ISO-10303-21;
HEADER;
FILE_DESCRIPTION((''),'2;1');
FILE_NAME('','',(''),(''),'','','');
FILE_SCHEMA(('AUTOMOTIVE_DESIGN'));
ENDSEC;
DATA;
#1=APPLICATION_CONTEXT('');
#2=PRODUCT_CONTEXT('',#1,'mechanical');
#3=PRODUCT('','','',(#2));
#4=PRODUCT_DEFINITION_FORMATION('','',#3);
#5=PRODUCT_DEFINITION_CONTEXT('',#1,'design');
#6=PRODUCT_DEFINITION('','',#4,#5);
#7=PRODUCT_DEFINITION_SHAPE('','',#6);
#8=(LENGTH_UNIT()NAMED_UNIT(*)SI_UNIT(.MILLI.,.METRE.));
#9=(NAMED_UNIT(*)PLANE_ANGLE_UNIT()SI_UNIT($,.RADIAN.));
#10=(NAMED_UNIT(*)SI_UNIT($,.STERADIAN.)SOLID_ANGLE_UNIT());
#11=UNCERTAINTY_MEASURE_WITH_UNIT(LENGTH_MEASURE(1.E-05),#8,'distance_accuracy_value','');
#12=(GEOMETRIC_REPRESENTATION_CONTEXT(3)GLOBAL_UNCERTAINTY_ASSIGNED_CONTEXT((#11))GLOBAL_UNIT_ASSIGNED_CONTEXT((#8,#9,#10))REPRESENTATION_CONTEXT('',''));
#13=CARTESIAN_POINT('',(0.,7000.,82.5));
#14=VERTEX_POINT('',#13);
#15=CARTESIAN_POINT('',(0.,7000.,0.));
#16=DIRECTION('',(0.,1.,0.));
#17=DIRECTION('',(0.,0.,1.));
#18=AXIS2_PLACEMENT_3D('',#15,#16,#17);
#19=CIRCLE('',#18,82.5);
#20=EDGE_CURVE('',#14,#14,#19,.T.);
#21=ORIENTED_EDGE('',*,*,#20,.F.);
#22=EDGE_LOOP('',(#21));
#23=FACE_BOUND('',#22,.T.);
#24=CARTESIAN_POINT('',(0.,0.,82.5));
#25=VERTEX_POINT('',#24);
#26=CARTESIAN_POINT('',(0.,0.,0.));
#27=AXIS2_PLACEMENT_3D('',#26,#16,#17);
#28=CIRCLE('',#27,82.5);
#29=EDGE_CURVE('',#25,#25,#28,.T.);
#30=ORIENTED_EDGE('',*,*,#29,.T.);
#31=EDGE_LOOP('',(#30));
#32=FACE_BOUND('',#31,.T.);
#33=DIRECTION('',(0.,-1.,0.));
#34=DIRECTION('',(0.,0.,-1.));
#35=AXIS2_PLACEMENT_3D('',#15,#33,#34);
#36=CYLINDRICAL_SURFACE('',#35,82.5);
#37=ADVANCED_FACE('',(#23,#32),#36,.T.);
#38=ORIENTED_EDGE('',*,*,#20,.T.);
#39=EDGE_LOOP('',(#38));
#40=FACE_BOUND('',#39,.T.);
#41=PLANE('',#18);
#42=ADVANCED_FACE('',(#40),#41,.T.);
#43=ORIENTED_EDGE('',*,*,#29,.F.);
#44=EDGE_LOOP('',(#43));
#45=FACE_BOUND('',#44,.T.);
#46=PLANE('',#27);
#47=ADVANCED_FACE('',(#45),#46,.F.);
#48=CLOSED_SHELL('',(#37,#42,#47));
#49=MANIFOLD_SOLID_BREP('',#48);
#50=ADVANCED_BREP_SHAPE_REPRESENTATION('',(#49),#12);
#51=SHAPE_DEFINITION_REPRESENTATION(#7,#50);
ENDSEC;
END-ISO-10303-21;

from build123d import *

# Parameters (mm, degrees)
SKETCH1_R           = 82.5
BOSS_EXTRUDE1_DEPTH = 7000


with BuildPart() as part:
    # Sketch1 → Boss-Extrude1 (new body)
    with BuildSketch(Plane(origin=(0, 0, 0), x_dir=(1, 0, 0), z_dir=(0, 1, 0))):
        Circle(SKETCH1_R)
    extrude(amount=BOSS_EXTRUDE1_DEPTH)


solid = part.part
